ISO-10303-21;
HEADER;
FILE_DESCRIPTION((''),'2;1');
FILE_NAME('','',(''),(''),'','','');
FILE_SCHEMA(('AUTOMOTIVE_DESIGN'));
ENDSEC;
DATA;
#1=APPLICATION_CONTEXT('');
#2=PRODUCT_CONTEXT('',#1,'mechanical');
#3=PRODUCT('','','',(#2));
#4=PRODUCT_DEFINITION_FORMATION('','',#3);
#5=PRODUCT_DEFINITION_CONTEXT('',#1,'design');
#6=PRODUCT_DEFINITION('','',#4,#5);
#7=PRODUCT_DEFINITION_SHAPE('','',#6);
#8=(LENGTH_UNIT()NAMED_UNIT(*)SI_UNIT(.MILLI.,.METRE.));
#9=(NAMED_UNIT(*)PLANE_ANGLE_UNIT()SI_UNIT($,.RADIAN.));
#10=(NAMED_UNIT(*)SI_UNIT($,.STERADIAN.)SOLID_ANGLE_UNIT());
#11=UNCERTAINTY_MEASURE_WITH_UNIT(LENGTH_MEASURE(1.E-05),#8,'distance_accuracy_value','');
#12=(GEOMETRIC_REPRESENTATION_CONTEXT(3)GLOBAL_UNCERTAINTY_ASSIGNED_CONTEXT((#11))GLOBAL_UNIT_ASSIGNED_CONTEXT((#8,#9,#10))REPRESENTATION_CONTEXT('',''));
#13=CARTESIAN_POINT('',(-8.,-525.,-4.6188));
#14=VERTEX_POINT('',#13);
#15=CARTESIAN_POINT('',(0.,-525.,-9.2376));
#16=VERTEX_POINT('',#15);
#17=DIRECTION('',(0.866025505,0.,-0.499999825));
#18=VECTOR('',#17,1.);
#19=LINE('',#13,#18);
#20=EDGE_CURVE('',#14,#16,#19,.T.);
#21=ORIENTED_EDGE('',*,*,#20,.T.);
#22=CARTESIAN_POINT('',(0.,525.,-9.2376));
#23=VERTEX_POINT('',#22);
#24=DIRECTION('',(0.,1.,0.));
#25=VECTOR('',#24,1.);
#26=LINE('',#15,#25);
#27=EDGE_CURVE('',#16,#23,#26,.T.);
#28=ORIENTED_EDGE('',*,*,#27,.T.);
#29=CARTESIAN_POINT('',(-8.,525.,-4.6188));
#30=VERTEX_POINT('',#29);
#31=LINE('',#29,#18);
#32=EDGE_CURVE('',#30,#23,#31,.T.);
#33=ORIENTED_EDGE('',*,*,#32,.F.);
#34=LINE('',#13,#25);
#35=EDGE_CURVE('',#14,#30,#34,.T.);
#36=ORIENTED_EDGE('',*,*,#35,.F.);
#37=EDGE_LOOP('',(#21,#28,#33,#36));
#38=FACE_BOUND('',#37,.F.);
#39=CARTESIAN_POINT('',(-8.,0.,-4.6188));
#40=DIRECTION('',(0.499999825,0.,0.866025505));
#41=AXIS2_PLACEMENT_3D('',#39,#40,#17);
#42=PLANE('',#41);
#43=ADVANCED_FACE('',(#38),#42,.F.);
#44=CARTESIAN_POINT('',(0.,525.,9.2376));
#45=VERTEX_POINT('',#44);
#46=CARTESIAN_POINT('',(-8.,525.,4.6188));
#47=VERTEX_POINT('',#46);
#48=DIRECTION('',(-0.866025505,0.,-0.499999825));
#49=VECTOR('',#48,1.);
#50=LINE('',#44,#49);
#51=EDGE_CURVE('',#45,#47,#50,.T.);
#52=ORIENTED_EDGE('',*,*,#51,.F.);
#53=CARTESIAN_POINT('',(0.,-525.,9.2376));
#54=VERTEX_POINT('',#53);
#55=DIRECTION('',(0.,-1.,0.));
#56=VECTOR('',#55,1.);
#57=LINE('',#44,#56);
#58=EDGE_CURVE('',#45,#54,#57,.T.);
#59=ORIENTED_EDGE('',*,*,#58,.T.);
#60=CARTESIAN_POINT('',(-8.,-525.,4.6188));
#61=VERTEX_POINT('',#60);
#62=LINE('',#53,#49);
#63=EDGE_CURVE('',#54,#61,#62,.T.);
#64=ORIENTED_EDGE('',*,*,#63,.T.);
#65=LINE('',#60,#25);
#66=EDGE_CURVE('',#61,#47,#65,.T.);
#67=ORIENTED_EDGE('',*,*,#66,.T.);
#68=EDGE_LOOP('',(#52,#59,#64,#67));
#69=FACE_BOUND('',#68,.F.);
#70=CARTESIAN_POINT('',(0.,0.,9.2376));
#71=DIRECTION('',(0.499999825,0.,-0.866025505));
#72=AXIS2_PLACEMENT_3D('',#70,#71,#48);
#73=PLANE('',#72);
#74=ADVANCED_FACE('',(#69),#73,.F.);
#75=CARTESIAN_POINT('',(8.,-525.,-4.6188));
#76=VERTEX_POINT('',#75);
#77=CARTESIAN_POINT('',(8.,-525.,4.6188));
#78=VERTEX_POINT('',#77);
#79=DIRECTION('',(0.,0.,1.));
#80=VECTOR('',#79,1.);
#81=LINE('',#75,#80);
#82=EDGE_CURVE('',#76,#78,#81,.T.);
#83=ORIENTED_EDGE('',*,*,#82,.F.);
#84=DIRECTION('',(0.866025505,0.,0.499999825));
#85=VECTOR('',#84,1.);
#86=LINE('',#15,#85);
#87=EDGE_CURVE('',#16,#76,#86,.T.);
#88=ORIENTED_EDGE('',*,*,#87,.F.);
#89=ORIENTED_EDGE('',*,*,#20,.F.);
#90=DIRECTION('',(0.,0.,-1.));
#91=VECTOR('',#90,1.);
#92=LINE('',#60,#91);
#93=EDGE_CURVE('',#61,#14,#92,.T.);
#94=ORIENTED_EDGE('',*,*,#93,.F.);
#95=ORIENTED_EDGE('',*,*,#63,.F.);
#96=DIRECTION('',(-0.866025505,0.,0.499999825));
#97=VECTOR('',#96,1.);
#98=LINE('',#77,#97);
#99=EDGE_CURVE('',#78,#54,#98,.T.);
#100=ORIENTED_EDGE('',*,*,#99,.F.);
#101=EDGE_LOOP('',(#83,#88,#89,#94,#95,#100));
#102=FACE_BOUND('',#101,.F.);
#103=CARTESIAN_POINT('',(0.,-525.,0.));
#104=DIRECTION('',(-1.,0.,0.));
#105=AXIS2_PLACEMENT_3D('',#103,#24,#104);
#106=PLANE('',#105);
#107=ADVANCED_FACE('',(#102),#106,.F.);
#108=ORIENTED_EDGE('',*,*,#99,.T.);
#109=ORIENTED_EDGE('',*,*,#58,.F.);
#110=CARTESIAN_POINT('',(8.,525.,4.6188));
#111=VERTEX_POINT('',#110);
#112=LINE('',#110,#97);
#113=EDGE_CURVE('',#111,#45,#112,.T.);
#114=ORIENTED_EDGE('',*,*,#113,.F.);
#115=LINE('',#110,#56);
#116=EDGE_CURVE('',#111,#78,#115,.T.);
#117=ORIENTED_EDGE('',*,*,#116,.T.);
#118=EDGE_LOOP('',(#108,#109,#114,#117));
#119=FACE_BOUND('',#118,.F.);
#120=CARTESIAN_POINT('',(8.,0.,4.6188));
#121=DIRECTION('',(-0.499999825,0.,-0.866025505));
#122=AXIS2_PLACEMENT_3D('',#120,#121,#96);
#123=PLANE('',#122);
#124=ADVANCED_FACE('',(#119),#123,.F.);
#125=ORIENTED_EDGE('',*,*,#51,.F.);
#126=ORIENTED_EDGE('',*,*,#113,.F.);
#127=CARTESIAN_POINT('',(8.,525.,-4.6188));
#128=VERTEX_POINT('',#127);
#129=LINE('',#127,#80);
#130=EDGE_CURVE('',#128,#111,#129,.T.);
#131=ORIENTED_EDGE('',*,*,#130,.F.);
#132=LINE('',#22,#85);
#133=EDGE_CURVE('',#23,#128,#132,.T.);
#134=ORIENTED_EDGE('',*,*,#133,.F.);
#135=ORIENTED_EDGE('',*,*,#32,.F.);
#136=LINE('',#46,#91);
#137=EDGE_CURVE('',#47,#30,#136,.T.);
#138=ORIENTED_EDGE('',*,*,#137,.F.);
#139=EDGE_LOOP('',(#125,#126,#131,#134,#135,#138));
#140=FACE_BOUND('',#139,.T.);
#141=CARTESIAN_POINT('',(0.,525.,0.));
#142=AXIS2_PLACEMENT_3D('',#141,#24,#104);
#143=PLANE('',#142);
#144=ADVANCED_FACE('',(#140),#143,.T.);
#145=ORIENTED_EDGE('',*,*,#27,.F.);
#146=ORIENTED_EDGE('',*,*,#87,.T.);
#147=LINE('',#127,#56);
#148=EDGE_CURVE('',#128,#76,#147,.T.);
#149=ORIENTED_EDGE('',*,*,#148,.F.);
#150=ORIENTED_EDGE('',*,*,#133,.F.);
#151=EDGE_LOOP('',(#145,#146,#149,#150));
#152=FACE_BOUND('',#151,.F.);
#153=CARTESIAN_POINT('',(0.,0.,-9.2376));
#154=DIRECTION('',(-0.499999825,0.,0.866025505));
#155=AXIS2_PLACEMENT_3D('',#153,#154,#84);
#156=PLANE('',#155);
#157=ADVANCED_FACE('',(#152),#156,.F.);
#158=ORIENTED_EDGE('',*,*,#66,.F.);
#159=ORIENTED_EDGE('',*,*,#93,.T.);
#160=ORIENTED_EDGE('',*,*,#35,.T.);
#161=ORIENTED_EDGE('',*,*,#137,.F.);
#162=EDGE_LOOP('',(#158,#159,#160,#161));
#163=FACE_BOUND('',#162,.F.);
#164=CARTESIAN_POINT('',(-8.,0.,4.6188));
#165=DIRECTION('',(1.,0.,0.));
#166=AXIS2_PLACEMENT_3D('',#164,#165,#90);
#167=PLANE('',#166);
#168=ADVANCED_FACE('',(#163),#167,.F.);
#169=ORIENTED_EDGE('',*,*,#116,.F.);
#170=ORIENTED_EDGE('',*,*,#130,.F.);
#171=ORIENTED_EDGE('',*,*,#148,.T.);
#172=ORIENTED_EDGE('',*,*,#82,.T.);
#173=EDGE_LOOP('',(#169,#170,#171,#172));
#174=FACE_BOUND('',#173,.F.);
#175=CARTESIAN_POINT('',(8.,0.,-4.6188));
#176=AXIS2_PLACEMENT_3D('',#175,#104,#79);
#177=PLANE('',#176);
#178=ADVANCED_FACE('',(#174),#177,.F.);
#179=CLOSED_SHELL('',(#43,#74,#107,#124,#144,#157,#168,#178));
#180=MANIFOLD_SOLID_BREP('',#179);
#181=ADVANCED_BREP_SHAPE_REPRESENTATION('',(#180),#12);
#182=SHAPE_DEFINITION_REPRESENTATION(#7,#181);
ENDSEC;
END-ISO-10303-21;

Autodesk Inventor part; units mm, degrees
ref_plane "YZ Plane" through (0, 0, 0) normal (1, 0, 0) x (0, 1, 0)
ref_plane "XZ Plane" through (0, 0, 0) normal (0, 1, 0) x (-1, 0, 0)
ref_plane "XY Plane" through (0, 0, 0) normal (0, 0, 1) x (1, 0, 0)
sketch "Sketch1" plane through (0, 0, 0) normal (0, 1, 0) x (-1, 0, 0)
  circle A0 centre (0, 0) radius 6.35
  line L0 (0, -9.2376) -> (-8, -4.6188)
  line L1 (-8, -4.6188) -> (-8, 4.6188)
  line L2 (-8, 4.6188) -> (0, 9.2376)
  line L3 (0, 9.2376) -> (8, 4.6188)
  line L4 (8, 4.6188) -> (8, -4.6188)
  line L5 (8, -4.6188) -> (0, -9.2376)
  dimension "d0" = 12.7
  dimension "d3" = 16
extrude "Extrusion1" add sketch "Sketch1" along normal mid plane 1050 contours A0 | L0 L1 L2 L3 L4 L5
properties part number "varilla"
